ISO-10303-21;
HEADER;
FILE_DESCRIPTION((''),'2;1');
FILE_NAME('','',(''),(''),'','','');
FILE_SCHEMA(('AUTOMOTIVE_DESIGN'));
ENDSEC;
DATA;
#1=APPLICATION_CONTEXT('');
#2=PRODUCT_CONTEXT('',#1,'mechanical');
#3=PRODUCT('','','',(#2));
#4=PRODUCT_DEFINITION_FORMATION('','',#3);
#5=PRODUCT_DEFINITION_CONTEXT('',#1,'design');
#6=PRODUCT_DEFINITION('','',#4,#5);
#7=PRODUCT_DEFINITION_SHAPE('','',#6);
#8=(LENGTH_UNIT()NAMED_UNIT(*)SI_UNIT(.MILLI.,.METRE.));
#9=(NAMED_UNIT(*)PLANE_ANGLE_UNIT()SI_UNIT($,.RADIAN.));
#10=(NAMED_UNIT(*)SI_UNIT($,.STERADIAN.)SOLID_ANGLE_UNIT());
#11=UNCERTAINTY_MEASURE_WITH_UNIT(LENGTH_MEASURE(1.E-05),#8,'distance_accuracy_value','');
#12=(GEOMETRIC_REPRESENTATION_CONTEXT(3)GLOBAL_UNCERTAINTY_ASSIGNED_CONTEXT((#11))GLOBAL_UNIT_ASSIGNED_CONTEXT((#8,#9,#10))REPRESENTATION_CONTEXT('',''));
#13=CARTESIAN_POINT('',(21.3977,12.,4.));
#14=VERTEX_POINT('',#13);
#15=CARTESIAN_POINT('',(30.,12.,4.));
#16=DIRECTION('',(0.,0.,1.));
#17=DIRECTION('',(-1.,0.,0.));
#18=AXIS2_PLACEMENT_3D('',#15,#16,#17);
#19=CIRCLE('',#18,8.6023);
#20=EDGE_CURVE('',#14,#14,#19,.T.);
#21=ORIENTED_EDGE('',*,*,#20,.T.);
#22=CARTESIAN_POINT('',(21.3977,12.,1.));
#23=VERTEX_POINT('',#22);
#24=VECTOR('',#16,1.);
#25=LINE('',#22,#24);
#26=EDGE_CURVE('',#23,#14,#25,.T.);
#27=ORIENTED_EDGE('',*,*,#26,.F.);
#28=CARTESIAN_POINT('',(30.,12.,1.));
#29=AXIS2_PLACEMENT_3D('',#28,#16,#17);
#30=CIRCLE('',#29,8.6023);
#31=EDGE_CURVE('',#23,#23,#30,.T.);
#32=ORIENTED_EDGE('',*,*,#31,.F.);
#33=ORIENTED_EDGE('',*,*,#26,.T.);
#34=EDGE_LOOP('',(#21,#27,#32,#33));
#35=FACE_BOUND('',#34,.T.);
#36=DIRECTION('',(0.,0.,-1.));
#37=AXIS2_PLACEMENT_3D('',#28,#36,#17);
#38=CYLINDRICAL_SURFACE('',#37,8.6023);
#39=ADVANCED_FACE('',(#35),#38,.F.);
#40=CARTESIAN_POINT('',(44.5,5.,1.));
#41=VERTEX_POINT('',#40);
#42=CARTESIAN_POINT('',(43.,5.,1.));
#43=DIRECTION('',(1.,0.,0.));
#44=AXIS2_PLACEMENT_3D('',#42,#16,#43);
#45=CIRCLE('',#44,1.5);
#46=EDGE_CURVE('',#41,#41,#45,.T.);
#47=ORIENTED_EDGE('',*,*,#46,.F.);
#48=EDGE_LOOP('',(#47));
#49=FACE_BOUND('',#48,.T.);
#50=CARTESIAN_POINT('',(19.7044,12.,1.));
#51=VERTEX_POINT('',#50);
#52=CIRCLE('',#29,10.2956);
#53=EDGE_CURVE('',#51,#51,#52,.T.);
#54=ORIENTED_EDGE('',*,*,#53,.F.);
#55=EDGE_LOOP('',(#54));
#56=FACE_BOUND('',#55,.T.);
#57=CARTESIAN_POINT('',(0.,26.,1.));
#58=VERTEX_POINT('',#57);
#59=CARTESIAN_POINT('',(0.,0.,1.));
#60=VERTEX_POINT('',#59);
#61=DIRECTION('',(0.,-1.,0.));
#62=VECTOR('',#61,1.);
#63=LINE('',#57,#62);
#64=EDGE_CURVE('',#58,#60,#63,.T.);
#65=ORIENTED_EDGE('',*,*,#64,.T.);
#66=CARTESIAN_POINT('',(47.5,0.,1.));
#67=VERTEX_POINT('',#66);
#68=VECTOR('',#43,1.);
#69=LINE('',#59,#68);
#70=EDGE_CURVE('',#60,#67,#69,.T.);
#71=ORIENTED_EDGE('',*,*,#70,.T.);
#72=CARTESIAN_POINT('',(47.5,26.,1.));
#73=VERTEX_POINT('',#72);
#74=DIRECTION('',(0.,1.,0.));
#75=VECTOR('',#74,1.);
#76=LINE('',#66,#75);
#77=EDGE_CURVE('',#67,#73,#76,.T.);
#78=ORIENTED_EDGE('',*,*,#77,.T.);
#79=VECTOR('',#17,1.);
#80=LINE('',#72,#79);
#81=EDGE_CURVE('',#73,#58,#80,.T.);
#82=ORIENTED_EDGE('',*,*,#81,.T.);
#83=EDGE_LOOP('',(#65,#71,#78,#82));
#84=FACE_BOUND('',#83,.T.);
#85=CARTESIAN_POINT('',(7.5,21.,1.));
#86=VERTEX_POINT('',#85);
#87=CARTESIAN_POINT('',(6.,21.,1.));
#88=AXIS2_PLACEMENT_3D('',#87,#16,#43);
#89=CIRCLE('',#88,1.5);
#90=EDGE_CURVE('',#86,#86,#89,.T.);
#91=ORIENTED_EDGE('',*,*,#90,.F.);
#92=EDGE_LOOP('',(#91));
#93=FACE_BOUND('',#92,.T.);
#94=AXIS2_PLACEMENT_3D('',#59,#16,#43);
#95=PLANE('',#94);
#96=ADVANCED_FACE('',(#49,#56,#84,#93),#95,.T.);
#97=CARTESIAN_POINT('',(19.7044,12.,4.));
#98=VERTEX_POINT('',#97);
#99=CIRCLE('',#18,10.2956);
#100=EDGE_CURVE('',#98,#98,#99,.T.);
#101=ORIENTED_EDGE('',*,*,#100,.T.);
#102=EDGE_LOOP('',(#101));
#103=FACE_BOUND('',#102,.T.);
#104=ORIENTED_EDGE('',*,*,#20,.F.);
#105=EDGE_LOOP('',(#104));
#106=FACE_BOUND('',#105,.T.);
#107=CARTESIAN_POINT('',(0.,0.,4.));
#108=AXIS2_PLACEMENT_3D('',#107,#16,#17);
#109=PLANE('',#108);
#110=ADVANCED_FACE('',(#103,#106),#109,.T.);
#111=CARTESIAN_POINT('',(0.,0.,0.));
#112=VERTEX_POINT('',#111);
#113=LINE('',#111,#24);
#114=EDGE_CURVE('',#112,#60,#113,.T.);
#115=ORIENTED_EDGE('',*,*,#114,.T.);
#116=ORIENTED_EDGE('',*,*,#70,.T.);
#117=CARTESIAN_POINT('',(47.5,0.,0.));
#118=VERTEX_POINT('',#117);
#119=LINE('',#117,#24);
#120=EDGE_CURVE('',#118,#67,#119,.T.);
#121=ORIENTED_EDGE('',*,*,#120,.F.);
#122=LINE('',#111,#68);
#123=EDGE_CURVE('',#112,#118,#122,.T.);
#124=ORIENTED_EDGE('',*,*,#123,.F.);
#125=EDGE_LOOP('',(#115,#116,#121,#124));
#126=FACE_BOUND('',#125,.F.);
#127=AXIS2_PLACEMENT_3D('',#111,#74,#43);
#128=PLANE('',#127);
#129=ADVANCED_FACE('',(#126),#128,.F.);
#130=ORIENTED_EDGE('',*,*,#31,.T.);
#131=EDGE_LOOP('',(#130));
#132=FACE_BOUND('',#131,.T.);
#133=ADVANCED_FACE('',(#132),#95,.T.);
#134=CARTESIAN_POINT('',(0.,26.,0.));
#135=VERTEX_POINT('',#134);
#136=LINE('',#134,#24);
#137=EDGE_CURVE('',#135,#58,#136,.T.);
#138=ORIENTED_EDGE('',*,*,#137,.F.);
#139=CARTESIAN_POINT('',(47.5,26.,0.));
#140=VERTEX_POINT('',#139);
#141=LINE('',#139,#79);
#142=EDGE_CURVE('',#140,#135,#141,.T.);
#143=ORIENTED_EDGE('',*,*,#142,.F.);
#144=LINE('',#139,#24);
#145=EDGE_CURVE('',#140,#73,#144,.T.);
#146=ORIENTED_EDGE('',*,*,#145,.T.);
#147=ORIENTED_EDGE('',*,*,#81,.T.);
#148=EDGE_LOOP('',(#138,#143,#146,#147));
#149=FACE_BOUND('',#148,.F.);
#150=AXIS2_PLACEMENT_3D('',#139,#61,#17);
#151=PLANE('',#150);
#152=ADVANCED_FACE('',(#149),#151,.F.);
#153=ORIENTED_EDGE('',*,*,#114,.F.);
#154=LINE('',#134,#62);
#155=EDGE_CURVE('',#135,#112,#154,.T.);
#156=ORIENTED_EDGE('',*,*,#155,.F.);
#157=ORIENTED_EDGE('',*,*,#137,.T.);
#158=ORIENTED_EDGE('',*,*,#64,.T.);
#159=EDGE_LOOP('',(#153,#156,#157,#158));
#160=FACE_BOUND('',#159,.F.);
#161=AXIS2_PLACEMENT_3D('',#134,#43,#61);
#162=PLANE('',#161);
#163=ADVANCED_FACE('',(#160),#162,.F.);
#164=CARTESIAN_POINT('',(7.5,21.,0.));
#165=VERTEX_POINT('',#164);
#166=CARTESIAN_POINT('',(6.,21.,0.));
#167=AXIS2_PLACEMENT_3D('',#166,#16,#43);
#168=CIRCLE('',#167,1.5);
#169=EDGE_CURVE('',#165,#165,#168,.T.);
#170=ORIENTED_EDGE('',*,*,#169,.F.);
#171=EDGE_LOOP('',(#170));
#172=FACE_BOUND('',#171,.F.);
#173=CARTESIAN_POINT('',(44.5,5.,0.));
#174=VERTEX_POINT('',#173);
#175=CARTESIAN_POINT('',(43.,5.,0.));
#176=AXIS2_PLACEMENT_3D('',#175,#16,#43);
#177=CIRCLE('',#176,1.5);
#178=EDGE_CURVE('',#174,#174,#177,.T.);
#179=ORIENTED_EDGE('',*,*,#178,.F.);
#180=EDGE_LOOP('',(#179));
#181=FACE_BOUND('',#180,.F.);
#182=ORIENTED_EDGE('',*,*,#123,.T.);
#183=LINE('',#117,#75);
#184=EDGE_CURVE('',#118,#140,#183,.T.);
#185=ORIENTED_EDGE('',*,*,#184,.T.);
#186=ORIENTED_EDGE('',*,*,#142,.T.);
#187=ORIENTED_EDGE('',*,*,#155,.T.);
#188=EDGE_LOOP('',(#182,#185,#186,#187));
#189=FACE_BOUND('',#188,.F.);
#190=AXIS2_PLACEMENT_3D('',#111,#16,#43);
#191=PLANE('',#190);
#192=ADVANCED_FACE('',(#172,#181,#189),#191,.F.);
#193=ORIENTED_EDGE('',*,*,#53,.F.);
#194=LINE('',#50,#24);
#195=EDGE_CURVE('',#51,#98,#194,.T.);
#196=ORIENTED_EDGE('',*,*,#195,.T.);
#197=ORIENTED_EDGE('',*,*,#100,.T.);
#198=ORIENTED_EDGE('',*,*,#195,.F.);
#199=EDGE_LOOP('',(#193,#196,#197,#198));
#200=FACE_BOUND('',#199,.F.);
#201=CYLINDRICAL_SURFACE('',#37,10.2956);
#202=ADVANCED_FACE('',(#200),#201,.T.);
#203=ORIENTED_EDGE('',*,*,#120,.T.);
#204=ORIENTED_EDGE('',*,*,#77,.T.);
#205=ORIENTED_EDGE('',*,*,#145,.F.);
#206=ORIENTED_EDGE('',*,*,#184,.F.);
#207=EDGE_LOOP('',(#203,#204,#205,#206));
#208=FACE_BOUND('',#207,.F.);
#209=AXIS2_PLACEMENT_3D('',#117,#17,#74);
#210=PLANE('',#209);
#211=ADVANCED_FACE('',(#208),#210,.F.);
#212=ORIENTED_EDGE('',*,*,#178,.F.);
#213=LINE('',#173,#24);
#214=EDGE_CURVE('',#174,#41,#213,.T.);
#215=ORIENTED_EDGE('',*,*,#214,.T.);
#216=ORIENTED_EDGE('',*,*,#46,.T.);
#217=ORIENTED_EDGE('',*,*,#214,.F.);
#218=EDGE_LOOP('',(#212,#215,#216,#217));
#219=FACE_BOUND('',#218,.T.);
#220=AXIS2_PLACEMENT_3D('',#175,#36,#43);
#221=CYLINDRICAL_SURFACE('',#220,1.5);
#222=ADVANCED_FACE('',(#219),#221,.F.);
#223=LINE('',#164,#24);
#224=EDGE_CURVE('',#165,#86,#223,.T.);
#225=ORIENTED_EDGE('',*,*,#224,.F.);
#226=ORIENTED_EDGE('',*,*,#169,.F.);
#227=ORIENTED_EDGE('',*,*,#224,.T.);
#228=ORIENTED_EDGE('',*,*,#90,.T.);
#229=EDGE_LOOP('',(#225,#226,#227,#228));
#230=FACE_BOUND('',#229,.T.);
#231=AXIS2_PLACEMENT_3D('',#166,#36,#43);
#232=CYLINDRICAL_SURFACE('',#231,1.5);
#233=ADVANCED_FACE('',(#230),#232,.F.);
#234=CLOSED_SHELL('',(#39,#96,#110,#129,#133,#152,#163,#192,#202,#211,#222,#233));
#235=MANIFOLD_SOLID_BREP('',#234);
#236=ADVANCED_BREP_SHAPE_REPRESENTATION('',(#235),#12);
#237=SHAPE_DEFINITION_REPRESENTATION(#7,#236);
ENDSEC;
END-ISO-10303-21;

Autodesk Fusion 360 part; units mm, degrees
sketch "Sketch1" plane through (0, 0, 0) normal (0, 0, 1) x (1, 0, 0)
  line L0 (0, 0) -> (47.5, 0)
  line L1 (47.5, 0) -> (47.5, 26)
  line L2 (47.5, 26) -> (0, 26)
  line L3 (0, 26) -> (0, 0)
  circle A0 centre (6, 21) radius 1.5
  circle A1 centre (43, 5) radius 1.5
  dimension "d1" = 47.5
  dimension "d2" = 26
  dimension "d3" = 3
  dimension "d4" = 3
  dimension "d5" = 5
  dimension "d6" = 6
  dimension "d7" = 4.5
  dimension "d8" = 5
  dimension "d103" = 0
  dimension "d104" = 0
  dimension "d105" = 0
  dimension "d106" = 0
  dimension "d127" = 0
  dimension "d128" = 0
  dimension "d129" = 0
  dimension "d130" = 0
extrude "Extrude1" add sketch "Sketch1" along normal blind 1
sketch "Sketch2" plane through (0, 0, 1) normal (0, 0, 1) x (-1, 0, 0)
  circle A0 centre (-43, -5) radius 1.5
  circle A1 centre (-6, -21) radius 1.5
  line L0 (0, -26) -> (0, 0)
  line L1 (0, 0) -> (-47.5, 0)
  line L2 (-47.5, 0) -> (-47.5, -26)
  line L3 (-47.5, -26) -> (0, -26)
  circle A2 centre (-30, -12) radius 10.2956
  circle A3 centre (-30, -12) radius 8.6023
  dimension "d13" = 30
extrude "Extrude2" add sketch "Sketch2" along normal blind 3 contours A2
